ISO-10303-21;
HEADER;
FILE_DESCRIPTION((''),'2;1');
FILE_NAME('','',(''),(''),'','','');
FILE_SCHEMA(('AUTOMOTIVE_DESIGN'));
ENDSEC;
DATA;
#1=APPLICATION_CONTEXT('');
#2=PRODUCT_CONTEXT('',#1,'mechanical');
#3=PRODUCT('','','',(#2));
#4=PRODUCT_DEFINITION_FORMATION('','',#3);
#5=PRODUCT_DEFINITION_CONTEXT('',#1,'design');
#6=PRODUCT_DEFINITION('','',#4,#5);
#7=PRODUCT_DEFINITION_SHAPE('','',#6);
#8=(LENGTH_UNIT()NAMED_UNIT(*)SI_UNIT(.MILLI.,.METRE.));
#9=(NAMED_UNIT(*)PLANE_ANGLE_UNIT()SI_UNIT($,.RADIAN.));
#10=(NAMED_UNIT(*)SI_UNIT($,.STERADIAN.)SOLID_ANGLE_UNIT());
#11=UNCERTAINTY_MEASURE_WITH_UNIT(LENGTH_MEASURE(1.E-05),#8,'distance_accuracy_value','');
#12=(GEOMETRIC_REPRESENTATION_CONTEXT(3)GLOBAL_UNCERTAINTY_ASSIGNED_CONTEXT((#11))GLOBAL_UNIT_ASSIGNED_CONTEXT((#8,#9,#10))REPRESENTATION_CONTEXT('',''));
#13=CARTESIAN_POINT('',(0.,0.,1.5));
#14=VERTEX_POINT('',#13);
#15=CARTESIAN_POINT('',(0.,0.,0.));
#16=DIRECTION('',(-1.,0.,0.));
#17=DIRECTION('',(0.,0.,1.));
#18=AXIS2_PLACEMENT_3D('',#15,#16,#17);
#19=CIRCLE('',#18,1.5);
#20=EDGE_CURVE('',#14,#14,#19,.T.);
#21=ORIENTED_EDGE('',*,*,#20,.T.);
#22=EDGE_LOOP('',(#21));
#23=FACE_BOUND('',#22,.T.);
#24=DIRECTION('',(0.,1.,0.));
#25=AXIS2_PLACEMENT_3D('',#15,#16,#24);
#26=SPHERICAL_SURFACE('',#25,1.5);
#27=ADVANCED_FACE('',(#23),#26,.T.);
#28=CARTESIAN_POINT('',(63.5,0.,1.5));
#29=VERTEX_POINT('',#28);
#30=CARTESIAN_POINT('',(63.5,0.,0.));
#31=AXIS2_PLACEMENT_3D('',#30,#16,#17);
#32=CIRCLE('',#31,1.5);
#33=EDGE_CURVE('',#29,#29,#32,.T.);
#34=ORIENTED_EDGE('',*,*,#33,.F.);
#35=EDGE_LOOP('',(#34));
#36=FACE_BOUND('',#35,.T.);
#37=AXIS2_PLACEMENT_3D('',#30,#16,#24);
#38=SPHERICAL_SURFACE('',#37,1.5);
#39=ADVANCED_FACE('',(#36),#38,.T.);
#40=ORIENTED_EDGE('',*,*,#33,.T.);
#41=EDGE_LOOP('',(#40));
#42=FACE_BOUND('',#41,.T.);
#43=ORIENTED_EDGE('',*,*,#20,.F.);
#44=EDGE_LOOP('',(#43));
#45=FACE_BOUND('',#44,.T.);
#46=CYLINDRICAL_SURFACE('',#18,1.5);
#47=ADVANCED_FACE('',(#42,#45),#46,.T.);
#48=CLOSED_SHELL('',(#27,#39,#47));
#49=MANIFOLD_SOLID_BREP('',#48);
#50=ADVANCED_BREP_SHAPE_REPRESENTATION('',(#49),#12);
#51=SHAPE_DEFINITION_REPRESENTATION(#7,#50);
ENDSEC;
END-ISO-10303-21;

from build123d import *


with BuildPart() as part:
    # Sketch2 → Revolve2 (revolve)
    with BuildSketch(Plane.XY):
        with BuildLine():
            Line((0, 1.5), (63.5, 1.5))
            ThreePointArc((63.5, 1.5), (64.560660172, 1.060660172), (65, 0))
            Line((65, 0), (-1.5, 0))
            ThreePointArc((-1.5, 0), (-1.060660172, 1.060660172), (0, 1.5))
        make_face()
    revolve(axis=Axis((0, 0, 0), (1, 0, 0)))


solid = part.part
